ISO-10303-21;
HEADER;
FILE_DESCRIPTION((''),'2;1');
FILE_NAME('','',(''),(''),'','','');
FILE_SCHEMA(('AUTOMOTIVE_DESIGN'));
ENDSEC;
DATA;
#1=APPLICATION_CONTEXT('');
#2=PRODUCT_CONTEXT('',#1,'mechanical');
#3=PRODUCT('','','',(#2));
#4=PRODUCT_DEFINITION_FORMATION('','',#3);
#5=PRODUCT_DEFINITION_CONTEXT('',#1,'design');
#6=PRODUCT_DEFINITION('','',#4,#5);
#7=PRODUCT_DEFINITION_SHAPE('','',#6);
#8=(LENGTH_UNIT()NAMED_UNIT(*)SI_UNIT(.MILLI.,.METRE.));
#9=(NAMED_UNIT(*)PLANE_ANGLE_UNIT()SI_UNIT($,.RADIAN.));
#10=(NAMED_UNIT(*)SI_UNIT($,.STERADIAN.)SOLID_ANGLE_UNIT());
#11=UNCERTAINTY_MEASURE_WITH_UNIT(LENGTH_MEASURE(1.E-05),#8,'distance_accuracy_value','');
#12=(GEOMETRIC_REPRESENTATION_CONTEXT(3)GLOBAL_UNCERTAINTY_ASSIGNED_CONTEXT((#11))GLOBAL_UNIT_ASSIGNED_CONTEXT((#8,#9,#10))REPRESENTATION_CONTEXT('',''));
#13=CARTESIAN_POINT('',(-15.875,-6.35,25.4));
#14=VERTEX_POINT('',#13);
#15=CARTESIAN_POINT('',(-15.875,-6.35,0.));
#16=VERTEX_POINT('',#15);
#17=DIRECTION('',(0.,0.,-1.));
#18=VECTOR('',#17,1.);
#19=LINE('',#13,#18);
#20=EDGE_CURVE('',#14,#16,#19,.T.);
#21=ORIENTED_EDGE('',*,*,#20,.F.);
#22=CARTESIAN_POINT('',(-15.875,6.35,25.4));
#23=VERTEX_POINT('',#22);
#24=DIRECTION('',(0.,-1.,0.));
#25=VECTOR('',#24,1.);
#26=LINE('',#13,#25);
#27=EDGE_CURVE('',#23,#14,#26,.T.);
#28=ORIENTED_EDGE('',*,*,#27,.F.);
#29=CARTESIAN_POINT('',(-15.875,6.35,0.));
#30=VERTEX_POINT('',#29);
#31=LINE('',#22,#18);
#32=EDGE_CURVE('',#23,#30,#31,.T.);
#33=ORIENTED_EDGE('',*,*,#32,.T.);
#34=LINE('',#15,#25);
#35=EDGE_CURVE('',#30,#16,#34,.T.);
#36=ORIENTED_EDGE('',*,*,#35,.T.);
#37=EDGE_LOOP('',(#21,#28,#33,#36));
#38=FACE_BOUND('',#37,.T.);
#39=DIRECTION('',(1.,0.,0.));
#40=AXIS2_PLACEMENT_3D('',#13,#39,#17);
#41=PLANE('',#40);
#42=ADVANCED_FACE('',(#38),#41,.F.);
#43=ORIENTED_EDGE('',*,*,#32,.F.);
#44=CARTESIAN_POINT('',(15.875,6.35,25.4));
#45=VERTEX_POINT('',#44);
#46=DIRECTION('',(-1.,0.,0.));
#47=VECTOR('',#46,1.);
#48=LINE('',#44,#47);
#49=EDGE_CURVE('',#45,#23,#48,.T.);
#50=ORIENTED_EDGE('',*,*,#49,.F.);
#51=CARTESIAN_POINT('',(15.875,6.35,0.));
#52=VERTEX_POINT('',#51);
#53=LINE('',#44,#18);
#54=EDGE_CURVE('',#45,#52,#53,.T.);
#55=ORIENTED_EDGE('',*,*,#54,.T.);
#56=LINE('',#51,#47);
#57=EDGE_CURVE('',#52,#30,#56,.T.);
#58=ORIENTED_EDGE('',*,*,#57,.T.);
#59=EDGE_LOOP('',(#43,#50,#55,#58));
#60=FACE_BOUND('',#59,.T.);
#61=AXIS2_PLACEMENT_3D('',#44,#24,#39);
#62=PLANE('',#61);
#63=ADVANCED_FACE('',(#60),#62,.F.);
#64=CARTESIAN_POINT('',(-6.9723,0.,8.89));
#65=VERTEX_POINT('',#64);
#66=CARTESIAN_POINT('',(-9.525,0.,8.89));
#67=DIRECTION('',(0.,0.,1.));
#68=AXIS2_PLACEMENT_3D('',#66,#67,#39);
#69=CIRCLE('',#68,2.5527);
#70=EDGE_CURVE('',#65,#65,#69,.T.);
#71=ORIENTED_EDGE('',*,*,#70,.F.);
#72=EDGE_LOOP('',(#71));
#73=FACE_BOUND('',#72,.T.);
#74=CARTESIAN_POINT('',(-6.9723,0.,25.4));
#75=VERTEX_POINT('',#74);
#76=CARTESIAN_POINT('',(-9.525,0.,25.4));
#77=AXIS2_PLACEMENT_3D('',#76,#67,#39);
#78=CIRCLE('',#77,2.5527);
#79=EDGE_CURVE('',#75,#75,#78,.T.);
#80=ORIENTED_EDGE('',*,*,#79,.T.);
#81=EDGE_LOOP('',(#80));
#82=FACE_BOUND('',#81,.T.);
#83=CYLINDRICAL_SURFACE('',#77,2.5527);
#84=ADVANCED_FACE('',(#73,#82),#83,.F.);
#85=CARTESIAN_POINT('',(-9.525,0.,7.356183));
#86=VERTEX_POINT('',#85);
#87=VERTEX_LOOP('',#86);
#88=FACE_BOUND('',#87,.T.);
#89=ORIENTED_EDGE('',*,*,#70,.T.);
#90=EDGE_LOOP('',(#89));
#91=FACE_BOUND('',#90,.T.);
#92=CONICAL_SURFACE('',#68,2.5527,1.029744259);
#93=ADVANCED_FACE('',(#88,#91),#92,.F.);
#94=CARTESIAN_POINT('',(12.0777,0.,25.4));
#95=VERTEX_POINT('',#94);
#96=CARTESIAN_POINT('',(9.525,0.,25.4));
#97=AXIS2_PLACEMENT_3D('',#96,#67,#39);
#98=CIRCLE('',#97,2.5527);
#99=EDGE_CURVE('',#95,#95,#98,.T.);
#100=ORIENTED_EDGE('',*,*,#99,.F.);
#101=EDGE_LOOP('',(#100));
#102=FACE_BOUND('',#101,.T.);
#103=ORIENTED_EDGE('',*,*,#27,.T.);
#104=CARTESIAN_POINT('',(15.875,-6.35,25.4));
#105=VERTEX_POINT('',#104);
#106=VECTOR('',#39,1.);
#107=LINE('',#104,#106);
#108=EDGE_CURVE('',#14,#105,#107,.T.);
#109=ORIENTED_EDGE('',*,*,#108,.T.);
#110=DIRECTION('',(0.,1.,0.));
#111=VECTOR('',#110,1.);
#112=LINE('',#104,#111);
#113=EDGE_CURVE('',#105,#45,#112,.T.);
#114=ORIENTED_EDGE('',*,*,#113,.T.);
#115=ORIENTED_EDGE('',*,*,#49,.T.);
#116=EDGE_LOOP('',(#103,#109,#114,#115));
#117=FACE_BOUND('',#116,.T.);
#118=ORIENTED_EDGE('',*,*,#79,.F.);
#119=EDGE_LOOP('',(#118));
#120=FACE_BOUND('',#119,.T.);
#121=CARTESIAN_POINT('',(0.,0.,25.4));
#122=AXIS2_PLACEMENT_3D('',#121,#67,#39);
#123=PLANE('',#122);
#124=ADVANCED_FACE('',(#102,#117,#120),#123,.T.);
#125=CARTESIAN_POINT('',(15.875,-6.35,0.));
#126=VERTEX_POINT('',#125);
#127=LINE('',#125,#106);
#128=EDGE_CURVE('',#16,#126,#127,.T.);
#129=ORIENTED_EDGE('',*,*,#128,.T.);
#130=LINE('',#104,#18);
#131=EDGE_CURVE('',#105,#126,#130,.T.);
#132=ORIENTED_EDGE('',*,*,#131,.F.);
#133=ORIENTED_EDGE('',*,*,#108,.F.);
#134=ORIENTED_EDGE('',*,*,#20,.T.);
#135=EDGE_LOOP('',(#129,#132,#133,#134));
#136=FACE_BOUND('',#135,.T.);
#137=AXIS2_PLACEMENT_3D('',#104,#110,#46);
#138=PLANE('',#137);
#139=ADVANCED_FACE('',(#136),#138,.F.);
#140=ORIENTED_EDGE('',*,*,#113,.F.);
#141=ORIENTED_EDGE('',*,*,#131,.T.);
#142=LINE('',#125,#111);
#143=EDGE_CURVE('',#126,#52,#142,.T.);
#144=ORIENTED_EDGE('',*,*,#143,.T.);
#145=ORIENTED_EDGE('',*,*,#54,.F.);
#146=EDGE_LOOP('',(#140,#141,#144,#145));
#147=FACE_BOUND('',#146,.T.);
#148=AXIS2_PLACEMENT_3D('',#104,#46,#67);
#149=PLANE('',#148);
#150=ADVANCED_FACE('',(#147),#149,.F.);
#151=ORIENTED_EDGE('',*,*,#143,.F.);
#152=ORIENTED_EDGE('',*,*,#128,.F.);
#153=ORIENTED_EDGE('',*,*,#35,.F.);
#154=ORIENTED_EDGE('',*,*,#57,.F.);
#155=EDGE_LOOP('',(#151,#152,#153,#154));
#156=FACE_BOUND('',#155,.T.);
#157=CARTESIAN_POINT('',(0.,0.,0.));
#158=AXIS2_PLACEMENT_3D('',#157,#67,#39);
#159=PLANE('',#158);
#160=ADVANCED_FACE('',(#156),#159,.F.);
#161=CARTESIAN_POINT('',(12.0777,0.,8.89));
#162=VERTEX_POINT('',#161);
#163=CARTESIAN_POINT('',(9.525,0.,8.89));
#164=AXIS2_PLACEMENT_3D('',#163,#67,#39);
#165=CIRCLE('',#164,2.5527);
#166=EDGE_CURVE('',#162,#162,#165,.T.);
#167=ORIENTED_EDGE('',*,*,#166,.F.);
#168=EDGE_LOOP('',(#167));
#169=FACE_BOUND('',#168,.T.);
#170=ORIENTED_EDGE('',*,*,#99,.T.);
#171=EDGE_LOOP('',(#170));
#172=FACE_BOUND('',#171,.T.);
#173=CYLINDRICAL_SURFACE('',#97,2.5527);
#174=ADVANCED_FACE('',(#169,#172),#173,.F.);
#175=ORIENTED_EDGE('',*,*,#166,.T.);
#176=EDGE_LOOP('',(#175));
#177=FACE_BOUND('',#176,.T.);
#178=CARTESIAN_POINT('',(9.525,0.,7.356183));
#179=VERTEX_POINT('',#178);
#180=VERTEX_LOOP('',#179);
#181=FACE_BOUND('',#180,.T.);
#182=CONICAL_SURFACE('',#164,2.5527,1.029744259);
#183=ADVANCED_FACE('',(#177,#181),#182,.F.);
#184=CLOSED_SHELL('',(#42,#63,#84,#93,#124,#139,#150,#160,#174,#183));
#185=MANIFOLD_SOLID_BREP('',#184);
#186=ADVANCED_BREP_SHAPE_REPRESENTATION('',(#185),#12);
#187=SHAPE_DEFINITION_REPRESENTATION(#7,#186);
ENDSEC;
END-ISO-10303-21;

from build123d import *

# Parameters (mm, degrees)
SKETCH1_W                   = 31.75
SKETCH1_H                   = 12.7
BOSS_EXTRUDE1_DEPTH         = 25.4
F_1_4_20_TAPPED_HOLE1_D     = 5.1054
F_1_4_20_TAPPED_HOLE1_DEPTH = 16.51
F_1_4_20_TAPPED_HOLE1_TIP   = 1.533816902


with BuildPart() as part:
    # Sketch1 → Boss-Extrude1 (new body)
    with BuildSketch(Plane.XY):
        Rectangle(SKETCH1_W, SKETCH1_H)
    extrude(amount=BOSS_EXTRUDE1_DEPTH)

    # 1/4-20 Tapped Hole1
    with Locations(Plane.XY.offset(25.4)):
        with Locations((-9.525, 0), (9.525, 0)):
            Hole(F_1_4_20_TAPPED_HOLE1_D / 2, depth=F_1_4_20_TAPPED_HOLE1_DEPTH)
            with Locations((0, 0, -(F_1_4_20_TAPPED_HOLE1_DEPTH + F_1_4_20_TAPPED_HOLE1_TIP / 2))):  # 118° drill point
                Cone(0, F_1_4_20_TAPPED_HOLE1_D / 2, F_1_4_20_TAPPED_HOLE1_TIP, mode=Mode.SUBTRACT)


solid = part.part
